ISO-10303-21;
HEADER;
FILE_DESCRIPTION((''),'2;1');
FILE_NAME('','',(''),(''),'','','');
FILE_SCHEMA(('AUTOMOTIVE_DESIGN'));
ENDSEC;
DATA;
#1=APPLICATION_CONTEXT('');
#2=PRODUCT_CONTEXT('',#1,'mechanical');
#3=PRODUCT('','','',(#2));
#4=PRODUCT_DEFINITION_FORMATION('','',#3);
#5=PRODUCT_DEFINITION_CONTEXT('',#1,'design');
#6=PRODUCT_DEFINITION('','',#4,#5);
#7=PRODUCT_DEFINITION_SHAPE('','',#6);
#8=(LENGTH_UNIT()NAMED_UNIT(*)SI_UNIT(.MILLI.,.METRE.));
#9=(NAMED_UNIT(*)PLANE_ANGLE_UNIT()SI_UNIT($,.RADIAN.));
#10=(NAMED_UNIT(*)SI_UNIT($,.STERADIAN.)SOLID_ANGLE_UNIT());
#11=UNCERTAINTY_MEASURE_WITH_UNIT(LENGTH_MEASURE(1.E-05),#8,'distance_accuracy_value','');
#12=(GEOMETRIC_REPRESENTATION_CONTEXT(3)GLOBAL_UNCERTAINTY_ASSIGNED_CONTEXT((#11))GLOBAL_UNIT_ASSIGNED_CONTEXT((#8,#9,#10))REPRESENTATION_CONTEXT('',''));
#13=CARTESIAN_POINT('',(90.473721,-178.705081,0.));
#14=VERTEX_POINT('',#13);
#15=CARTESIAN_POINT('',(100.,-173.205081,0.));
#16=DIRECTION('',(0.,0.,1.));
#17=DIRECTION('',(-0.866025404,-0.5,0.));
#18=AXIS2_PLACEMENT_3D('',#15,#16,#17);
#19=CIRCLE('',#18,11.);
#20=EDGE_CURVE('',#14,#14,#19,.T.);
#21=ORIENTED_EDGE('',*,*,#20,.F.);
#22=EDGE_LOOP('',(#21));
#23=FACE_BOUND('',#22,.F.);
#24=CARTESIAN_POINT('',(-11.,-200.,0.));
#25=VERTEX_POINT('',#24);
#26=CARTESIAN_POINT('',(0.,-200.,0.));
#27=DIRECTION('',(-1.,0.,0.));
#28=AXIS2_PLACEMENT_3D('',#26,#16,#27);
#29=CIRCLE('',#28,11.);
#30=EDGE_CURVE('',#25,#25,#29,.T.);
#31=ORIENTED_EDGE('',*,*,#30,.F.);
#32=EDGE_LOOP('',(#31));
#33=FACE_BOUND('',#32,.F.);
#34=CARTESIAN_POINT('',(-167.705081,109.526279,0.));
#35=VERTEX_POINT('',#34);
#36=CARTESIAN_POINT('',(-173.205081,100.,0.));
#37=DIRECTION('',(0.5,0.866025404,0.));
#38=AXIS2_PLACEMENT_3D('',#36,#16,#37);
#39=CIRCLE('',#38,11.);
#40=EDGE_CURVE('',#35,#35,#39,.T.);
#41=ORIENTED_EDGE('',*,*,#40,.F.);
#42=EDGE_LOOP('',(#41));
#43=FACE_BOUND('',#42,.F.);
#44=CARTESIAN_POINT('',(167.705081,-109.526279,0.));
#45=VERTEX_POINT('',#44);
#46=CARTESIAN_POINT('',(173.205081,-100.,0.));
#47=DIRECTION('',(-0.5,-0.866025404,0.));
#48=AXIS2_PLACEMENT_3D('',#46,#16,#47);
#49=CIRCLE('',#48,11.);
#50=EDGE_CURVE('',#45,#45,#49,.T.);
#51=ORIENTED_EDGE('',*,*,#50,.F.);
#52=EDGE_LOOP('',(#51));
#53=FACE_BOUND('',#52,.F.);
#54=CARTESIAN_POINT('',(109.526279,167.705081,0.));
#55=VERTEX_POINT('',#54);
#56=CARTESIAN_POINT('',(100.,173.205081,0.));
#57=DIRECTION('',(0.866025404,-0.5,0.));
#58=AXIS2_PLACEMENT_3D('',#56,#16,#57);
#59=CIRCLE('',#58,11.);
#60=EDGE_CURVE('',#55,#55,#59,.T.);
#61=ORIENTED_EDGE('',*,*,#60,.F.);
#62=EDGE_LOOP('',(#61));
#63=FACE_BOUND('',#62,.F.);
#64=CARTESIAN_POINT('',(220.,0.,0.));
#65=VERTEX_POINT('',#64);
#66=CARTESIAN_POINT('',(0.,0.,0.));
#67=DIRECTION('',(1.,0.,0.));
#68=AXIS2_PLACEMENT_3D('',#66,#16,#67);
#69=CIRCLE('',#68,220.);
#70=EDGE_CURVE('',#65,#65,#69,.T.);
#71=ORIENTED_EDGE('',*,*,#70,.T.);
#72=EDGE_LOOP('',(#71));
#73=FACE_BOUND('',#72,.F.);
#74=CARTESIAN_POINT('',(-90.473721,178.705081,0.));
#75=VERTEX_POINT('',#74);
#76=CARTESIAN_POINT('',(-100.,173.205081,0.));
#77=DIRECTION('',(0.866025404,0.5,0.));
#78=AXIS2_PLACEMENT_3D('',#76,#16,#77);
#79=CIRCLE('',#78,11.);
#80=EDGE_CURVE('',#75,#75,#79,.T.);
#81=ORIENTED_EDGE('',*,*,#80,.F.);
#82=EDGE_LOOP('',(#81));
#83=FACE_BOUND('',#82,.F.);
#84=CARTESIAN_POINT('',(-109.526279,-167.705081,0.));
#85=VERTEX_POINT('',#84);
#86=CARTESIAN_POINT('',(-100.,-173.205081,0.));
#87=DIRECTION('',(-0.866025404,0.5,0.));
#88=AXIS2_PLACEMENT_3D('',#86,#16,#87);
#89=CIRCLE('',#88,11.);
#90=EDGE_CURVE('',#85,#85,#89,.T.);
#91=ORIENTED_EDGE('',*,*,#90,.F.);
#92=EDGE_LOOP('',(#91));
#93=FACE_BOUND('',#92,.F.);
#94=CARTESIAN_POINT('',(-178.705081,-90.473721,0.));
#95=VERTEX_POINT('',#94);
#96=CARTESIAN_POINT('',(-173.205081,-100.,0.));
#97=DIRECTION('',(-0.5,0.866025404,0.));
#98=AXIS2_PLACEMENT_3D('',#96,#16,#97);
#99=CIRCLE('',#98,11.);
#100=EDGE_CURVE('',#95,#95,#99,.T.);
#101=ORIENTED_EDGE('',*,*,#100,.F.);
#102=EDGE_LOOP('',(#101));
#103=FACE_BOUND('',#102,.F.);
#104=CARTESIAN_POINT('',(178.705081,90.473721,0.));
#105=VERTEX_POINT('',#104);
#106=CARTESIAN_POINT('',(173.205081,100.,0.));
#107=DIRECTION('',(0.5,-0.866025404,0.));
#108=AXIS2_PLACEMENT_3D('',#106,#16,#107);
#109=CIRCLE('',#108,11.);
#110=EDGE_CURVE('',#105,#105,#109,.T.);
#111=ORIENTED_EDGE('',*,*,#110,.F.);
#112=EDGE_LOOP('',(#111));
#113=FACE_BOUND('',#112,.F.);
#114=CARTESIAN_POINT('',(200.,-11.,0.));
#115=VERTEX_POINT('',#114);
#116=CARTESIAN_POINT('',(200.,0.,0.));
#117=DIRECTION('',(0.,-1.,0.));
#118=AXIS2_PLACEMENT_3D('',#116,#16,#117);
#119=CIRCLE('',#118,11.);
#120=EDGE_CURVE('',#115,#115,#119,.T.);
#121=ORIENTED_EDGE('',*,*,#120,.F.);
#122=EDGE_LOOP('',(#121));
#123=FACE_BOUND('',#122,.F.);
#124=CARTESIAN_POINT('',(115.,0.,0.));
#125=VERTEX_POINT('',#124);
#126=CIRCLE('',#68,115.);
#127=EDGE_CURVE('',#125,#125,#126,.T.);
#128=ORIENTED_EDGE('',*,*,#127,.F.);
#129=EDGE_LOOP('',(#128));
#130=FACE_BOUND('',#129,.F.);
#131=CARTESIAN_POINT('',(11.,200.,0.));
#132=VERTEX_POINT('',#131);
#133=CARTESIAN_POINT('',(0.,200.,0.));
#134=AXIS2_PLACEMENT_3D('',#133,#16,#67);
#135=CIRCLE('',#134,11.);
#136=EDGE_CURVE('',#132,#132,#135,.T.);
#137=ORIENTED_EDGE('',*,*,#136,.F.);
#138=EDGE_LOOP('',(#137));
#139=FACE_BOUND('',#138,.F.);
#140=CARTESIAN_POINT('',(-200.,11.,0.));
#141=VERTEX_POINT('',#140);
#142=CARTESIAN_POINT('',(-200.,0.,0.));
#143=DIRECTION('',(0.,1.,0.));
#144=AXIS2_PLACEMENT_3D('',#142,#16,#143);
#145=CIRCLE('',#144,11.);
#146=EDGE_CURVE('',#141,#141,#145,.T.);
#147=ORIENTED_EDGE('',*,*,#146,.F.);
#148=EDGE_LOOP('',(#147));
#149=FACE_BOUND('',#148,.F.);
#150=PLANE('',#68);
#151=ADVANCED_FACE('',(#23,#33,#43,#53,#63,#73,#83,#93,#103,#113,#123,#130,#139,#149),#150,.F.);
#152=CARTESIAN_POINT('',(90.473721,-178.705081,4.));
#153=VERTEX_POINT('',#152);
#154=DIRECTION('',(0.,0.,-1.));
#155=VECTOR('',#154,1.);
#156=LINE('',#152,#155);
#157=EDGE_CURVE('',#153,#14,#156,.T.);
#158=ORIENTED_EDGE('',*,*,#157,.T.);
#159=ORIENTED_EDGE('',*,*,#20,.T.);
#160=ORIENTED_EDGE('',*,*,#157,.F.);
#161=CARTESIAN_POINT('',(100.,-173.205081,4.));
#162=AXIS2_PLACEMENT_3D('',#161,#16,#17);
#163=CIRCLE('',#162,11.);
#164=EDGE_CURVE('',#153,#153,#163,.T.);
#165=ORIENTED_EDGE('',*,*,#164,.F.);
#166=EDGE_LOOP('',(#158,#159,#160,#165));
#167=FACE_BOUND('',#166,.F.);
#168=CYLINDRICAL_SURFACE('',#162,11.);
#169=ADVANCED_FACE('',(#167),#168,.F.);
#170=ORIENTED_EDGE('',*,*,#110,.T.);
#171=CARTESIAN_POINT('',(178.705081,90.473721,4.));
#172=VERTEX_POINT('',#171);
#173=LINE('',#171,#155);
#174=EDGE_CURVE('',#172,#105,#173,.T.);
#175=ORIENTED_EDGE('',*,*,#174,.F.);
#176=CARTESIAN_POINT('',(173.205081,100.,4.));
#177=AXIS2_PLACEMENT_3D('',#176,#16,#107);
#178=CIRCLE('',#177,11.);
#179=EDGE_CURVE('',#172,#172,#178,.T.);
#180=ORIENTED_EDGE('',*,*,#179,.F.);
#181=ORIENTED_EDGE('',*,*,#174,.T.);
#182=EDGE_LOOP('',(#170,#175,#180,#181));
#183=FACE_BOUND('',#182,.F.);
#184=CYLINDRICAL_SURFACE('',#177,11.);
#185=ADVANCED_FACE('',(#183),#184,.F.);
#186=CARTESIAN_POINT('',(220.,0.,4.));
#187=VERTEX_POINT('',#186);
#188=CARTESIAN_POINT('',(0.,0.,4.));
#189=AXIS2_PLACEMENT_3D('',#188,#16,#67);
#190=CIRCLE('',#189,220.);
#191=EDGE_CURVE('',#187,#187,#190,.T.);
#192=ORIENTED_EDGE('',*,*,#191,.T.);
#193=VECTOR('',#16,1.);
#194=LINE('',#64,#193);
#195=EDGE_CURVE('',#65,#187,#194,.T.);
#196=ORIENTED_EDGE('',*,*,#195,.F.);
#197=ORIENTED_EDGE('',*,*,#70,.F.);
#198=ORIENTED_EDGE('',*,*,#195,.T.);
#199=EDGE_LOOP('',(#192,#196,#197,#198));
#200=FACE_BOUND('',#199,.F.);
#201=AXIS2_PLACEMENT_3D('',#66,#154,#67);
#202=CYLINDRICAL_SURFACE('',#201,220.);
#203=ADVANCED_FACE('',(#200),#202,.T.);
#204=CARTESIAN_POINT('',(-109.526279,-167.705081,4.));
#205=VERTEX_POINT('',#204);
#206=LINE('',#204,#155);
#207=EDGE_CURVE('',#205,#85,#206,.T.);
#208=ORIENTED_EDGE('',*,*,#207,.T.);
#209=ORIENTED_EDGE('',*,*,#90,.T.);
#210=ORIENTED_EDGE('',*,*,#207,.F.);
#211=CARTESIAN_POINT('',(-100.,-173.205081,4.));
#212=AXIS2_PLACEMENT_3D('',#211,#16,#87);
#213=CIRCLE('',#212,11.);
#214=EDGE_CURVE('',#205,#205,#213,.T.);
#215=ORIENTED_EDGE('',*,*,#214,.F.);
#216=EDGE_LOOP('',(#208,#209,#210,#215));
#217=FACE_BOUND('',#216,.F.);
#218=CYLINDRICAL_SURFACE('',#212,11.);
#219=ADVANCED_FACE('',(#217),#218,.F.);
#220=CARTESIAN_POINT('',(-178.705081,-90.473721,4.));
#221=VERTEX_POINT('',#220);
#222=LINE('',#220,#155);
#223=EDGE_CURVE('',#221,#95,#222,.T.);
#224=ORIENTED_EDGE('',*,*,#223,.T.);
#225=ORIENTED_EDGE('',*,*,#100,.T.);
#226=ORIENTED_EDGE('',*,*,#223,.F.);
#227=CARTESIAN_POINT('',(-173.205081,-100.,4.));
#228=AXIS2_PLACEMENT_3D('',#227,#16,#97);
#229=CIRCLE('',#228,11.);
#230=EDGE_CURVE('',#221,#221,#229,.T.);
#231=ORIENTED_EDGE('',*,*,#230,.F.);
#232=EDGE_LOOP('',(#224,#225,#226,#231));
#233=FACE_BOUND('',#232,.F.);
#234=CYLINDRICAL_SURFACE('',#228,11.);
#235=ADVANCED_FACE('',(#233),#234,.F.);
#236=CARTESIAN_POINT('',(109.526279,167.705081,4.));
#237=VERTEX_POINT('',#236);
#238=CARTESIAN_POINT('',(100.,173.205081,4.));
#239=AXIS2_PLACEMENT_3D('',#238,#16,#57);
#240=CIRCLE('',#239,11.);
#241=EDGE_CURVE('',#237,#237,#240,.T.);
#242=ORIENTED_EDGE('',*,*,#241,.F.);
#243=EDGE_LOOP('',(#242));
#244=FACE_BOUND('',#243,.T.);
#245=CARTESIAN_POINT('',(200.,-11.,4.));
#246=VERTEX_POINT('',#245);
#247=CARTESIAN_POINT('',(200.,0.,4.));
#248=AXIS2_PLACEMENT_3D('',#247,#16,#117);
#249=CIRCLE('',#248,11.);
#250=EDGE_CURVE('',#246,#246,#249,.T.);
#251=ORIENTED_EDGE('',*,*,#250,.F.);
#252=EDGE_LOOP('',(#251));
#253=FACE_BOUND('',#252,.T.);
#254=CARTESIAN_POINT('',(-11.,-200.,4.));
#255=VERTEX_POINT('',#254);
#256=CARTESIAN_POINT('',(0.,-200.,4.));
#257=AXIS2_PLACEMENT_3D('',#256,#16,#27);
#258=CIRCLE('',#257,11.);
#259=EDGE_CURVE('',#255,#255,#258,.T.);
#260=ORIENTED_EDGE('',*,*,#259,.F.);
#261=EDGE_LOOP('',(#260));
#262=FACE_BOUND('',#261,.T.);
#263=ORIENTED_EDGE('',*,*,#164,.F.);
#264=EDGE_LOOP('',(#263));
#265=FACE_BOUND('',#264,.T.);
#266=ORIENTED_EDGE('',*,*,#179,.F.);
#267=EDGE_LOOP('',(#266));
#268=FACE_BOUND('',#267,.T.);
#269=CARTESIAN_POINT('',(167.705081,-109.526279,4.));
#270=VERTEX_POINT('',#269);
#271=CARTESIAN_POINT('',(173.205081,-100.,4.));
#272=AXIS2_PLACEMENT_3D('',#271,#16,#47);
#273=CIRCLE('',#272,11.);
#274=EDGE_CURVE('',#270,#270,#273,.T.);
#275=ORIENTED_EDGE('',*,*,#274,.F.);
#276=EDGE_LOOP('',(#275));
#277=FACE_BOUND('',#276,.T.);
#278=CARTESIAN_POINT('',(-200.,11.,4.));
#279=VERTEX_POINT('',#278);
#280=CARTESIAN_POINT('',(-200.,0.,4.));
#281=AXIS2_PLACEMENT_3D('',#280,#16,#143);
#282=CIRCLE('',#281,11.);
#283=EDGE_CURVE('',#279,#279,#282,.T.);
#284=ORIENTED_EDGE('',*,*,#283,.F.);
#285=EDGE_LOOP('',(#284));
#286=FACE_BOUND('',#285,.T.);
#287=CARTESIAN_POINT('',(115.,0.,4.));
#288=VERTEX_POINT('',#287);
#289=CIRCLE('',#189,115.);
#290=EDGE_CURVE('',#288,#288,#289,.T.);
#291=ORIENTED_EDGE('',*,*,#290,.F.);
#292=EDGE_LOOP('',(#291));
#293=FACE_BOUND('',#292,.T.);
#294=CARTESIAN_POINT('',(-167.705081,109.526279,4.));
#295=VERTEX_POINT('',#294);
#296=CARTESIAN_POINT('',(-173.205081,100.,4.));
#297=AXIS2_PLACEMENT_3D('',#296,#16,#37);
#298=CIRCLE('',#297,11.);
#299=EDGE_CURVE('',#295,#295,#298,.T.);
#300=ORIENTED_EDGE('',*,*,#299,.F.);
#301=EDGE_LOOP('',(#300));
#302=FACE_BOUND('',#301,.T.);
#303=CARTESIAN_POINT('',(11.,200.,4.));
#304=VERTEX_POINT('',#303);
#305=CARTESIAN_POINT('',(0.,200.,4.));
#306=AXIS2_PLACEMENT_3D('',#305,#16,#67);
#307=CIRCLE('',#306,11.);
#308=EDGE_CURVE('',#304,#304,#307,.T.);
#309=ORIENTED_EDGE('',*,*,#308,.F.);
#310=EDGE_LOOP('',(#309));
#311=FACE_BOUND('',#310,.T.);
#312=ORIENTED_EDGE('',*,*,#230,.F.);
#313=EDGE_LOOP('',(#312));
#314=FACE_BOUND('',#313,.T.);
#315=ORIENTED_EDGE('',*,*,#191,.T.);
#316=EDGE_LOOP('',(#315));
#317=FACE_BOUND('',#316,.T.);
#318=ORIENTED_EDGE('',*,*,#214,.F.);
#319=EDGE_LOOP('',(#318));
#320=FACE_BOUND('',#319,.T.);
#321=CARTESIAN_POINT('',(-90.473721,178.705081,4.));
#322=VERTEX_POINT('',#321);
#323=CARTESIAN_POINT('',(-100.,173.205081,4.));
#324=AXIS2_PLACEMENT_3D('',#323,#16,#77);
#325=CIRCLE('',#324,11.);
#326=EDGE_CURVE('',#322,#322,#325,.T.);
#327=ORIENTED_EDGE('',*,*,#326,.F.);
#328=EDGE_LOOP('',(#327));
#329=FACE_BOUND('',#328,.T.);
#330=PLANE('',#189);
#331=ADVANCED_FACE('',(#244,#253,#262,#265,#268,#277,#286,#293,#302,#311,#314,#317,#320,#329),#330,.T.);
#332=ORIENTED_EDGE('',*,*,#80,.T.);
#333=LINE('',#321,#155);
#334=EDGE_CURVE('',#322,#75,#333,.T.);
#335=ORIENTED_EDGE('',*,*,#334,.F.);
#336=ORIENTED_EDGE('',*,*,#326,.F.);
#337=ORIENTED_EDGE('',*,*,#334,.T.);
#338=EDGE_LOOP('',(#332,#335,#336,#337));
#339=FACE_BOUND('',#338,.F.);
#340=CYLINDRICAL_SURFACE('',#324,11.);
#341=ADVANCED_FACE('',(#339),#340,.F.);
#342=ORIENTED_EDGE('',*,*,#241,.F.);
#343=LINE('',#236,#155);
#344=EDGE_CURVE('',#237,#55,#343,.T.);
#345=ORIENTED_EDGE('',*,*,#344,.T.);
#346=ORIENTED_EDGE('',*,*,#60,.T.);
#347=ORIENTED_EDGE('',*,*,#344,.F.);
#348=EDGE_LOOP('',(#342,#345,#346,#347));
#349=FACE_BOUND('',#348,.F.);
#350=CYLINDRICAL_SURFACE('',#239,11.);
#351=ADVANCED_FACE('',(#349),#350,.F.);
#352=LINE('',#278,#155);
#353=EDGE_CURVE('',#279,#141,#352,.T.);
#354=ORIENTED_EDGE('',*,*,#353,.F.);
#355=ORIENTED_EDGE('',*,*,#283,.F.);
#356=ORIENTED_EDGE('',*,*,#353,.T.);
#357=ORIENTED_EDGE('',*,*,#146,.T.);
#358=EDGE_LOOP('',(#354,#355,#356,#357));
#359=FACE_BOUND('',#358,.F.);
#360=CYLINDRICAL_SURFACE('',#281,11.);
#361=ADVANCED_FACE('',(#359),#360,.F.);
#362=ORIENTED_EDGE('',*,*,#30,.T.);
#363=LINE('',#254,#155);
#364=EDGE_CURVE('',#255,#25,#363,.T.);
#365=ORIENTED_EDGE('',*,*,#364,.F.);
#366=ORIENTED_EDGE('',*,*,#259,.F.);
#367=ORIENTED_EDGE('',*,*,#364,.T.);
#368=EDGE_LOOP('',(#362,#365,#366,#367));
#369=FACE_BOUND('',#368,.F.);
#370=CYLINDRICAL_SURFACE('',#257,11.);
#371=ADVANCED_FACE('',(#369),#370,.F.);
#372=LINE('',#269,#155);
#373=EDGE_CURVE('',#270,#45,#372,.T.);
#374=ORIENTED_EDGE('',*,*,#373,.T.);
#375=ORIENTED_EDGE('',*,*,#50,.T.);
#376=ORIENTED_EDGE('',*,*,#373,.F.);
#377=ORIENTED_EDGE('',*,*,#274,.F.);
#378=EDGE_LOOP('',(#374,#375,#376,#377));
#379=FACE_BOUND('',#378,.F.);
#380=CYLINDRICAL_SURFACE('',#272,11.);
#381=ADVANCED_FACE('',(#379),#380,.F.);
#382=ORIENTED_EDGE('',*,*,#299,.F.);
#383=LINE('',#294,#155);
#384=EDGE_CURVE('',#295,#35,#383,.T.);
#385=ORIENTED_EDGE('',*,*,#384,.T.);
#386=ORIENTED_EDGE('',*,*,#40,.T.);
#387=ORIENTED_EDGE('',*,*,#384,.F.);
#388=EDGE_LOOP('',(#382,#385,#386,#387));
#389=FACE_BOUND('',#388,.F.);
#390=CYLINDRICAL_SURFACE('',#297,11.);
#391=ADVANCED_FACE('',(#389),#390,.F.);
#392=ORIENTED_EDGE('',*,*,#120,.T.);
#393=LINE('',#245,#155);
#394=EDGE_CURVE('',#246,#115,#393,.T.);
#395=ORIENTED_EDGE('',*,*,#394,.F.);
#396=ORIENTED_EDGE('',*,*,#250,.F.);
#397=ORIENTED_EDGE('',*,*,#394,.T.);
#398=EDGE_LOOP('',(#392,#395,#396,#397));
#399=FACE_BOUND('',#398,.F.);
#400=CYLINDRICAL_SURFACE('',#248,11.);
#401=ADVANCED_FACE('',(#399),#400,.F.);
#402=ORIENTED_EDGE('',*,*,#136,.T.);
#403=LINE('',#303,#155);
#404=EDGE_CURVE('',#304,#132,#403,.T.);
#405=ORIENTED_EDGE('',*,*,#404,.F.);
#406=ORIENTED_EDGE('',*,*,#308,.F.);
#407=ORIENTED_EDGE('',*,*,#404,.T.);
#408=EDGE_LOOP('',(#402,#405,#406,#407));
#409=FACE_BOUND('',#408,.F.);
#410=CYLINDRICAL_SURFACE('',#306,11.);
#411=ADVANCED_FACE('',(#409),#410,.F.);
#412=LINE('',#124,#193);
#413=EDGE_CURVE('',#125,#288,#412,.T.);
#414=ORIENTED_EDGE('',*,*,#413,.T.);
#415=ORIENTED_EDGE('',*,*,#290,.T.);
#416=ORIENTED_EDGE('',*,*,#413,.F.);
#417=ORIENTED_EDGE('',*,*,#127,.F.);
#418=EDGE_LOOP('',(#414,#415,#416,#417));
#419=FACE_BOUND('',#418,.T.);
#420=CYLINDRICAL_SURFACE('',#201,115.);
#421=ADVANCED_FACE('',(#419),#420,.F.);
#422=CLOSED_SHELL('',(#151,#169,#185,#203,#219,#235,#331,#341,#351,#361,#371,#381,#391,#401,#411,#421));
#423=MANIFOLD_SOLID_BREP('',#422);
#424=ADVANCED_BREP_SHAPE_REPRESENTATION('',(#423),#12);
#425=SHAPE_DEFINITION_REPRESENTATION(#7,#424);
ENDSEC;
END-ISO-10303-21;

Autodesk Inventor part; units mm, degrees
ref_plane "YZ Plane" through (0, 0, 0) normal (1, 0, 0) x (0, 1, 0)
ref_plane "XZ Plane" through (0, 0, 0) normal (0, 1, 0) x (-1, 0, 0)
ref_plane "XY Plane" through (0, 0, 0) normal (0, 0, 1) x (1, 0, 0)
sketch "Sketch1" plane through (0, 0, 0) normal (0, 0, 1) x (1, 0, 0)
  circle A0 centre (0, 0) radius 115
  circle A1 centre (0, 0) radius 220
  dimension "d22" = 230
  dimension "d23" = 440
extrude "Plate1" add sketch "Sketch1" along normal blind 4
sketch "Sketch5" plane through (0, 0, 4) normal (0, 0, 1) x (1, 0, 0)
  circle A0 centre (0, 200) radius 11
  circle A1 centre (0, 0) radius 200 construction
  dimension "d25" = 400
  dimension "d24" = 22
extrude "Cut1" cut sketch "Sketch5" against normal blind 4
pattern_circular "Circular Pattern1" count 12 over 360 about axis through (0, 0, 0) along (0, 0, 1) of "Cut1"
equation "\"d26\" = Thickness"
equation "\"d2\" = Thickness"
equation "\"BendReliefWidth\" = Thickness"
equation "\"BendReliefDepth\" = 0.5 * Thickness"
equation "\"CornerReliefSize\" = 4 * Thickness"
equation "\"MinimumRemnant\" = 2 * Thickness"
equation "\"TransitionRadius\" = BendRadius"
equation "\"JacobiRadiusSize\" = BendRadius"
equation "\"GapSize\" = Thickness"
equation "\"Thickness\" = 4"
equation "\"BendRadius\" = 5"
properties part number "TKS 3212 flange separator" material "Stainless Steel"
